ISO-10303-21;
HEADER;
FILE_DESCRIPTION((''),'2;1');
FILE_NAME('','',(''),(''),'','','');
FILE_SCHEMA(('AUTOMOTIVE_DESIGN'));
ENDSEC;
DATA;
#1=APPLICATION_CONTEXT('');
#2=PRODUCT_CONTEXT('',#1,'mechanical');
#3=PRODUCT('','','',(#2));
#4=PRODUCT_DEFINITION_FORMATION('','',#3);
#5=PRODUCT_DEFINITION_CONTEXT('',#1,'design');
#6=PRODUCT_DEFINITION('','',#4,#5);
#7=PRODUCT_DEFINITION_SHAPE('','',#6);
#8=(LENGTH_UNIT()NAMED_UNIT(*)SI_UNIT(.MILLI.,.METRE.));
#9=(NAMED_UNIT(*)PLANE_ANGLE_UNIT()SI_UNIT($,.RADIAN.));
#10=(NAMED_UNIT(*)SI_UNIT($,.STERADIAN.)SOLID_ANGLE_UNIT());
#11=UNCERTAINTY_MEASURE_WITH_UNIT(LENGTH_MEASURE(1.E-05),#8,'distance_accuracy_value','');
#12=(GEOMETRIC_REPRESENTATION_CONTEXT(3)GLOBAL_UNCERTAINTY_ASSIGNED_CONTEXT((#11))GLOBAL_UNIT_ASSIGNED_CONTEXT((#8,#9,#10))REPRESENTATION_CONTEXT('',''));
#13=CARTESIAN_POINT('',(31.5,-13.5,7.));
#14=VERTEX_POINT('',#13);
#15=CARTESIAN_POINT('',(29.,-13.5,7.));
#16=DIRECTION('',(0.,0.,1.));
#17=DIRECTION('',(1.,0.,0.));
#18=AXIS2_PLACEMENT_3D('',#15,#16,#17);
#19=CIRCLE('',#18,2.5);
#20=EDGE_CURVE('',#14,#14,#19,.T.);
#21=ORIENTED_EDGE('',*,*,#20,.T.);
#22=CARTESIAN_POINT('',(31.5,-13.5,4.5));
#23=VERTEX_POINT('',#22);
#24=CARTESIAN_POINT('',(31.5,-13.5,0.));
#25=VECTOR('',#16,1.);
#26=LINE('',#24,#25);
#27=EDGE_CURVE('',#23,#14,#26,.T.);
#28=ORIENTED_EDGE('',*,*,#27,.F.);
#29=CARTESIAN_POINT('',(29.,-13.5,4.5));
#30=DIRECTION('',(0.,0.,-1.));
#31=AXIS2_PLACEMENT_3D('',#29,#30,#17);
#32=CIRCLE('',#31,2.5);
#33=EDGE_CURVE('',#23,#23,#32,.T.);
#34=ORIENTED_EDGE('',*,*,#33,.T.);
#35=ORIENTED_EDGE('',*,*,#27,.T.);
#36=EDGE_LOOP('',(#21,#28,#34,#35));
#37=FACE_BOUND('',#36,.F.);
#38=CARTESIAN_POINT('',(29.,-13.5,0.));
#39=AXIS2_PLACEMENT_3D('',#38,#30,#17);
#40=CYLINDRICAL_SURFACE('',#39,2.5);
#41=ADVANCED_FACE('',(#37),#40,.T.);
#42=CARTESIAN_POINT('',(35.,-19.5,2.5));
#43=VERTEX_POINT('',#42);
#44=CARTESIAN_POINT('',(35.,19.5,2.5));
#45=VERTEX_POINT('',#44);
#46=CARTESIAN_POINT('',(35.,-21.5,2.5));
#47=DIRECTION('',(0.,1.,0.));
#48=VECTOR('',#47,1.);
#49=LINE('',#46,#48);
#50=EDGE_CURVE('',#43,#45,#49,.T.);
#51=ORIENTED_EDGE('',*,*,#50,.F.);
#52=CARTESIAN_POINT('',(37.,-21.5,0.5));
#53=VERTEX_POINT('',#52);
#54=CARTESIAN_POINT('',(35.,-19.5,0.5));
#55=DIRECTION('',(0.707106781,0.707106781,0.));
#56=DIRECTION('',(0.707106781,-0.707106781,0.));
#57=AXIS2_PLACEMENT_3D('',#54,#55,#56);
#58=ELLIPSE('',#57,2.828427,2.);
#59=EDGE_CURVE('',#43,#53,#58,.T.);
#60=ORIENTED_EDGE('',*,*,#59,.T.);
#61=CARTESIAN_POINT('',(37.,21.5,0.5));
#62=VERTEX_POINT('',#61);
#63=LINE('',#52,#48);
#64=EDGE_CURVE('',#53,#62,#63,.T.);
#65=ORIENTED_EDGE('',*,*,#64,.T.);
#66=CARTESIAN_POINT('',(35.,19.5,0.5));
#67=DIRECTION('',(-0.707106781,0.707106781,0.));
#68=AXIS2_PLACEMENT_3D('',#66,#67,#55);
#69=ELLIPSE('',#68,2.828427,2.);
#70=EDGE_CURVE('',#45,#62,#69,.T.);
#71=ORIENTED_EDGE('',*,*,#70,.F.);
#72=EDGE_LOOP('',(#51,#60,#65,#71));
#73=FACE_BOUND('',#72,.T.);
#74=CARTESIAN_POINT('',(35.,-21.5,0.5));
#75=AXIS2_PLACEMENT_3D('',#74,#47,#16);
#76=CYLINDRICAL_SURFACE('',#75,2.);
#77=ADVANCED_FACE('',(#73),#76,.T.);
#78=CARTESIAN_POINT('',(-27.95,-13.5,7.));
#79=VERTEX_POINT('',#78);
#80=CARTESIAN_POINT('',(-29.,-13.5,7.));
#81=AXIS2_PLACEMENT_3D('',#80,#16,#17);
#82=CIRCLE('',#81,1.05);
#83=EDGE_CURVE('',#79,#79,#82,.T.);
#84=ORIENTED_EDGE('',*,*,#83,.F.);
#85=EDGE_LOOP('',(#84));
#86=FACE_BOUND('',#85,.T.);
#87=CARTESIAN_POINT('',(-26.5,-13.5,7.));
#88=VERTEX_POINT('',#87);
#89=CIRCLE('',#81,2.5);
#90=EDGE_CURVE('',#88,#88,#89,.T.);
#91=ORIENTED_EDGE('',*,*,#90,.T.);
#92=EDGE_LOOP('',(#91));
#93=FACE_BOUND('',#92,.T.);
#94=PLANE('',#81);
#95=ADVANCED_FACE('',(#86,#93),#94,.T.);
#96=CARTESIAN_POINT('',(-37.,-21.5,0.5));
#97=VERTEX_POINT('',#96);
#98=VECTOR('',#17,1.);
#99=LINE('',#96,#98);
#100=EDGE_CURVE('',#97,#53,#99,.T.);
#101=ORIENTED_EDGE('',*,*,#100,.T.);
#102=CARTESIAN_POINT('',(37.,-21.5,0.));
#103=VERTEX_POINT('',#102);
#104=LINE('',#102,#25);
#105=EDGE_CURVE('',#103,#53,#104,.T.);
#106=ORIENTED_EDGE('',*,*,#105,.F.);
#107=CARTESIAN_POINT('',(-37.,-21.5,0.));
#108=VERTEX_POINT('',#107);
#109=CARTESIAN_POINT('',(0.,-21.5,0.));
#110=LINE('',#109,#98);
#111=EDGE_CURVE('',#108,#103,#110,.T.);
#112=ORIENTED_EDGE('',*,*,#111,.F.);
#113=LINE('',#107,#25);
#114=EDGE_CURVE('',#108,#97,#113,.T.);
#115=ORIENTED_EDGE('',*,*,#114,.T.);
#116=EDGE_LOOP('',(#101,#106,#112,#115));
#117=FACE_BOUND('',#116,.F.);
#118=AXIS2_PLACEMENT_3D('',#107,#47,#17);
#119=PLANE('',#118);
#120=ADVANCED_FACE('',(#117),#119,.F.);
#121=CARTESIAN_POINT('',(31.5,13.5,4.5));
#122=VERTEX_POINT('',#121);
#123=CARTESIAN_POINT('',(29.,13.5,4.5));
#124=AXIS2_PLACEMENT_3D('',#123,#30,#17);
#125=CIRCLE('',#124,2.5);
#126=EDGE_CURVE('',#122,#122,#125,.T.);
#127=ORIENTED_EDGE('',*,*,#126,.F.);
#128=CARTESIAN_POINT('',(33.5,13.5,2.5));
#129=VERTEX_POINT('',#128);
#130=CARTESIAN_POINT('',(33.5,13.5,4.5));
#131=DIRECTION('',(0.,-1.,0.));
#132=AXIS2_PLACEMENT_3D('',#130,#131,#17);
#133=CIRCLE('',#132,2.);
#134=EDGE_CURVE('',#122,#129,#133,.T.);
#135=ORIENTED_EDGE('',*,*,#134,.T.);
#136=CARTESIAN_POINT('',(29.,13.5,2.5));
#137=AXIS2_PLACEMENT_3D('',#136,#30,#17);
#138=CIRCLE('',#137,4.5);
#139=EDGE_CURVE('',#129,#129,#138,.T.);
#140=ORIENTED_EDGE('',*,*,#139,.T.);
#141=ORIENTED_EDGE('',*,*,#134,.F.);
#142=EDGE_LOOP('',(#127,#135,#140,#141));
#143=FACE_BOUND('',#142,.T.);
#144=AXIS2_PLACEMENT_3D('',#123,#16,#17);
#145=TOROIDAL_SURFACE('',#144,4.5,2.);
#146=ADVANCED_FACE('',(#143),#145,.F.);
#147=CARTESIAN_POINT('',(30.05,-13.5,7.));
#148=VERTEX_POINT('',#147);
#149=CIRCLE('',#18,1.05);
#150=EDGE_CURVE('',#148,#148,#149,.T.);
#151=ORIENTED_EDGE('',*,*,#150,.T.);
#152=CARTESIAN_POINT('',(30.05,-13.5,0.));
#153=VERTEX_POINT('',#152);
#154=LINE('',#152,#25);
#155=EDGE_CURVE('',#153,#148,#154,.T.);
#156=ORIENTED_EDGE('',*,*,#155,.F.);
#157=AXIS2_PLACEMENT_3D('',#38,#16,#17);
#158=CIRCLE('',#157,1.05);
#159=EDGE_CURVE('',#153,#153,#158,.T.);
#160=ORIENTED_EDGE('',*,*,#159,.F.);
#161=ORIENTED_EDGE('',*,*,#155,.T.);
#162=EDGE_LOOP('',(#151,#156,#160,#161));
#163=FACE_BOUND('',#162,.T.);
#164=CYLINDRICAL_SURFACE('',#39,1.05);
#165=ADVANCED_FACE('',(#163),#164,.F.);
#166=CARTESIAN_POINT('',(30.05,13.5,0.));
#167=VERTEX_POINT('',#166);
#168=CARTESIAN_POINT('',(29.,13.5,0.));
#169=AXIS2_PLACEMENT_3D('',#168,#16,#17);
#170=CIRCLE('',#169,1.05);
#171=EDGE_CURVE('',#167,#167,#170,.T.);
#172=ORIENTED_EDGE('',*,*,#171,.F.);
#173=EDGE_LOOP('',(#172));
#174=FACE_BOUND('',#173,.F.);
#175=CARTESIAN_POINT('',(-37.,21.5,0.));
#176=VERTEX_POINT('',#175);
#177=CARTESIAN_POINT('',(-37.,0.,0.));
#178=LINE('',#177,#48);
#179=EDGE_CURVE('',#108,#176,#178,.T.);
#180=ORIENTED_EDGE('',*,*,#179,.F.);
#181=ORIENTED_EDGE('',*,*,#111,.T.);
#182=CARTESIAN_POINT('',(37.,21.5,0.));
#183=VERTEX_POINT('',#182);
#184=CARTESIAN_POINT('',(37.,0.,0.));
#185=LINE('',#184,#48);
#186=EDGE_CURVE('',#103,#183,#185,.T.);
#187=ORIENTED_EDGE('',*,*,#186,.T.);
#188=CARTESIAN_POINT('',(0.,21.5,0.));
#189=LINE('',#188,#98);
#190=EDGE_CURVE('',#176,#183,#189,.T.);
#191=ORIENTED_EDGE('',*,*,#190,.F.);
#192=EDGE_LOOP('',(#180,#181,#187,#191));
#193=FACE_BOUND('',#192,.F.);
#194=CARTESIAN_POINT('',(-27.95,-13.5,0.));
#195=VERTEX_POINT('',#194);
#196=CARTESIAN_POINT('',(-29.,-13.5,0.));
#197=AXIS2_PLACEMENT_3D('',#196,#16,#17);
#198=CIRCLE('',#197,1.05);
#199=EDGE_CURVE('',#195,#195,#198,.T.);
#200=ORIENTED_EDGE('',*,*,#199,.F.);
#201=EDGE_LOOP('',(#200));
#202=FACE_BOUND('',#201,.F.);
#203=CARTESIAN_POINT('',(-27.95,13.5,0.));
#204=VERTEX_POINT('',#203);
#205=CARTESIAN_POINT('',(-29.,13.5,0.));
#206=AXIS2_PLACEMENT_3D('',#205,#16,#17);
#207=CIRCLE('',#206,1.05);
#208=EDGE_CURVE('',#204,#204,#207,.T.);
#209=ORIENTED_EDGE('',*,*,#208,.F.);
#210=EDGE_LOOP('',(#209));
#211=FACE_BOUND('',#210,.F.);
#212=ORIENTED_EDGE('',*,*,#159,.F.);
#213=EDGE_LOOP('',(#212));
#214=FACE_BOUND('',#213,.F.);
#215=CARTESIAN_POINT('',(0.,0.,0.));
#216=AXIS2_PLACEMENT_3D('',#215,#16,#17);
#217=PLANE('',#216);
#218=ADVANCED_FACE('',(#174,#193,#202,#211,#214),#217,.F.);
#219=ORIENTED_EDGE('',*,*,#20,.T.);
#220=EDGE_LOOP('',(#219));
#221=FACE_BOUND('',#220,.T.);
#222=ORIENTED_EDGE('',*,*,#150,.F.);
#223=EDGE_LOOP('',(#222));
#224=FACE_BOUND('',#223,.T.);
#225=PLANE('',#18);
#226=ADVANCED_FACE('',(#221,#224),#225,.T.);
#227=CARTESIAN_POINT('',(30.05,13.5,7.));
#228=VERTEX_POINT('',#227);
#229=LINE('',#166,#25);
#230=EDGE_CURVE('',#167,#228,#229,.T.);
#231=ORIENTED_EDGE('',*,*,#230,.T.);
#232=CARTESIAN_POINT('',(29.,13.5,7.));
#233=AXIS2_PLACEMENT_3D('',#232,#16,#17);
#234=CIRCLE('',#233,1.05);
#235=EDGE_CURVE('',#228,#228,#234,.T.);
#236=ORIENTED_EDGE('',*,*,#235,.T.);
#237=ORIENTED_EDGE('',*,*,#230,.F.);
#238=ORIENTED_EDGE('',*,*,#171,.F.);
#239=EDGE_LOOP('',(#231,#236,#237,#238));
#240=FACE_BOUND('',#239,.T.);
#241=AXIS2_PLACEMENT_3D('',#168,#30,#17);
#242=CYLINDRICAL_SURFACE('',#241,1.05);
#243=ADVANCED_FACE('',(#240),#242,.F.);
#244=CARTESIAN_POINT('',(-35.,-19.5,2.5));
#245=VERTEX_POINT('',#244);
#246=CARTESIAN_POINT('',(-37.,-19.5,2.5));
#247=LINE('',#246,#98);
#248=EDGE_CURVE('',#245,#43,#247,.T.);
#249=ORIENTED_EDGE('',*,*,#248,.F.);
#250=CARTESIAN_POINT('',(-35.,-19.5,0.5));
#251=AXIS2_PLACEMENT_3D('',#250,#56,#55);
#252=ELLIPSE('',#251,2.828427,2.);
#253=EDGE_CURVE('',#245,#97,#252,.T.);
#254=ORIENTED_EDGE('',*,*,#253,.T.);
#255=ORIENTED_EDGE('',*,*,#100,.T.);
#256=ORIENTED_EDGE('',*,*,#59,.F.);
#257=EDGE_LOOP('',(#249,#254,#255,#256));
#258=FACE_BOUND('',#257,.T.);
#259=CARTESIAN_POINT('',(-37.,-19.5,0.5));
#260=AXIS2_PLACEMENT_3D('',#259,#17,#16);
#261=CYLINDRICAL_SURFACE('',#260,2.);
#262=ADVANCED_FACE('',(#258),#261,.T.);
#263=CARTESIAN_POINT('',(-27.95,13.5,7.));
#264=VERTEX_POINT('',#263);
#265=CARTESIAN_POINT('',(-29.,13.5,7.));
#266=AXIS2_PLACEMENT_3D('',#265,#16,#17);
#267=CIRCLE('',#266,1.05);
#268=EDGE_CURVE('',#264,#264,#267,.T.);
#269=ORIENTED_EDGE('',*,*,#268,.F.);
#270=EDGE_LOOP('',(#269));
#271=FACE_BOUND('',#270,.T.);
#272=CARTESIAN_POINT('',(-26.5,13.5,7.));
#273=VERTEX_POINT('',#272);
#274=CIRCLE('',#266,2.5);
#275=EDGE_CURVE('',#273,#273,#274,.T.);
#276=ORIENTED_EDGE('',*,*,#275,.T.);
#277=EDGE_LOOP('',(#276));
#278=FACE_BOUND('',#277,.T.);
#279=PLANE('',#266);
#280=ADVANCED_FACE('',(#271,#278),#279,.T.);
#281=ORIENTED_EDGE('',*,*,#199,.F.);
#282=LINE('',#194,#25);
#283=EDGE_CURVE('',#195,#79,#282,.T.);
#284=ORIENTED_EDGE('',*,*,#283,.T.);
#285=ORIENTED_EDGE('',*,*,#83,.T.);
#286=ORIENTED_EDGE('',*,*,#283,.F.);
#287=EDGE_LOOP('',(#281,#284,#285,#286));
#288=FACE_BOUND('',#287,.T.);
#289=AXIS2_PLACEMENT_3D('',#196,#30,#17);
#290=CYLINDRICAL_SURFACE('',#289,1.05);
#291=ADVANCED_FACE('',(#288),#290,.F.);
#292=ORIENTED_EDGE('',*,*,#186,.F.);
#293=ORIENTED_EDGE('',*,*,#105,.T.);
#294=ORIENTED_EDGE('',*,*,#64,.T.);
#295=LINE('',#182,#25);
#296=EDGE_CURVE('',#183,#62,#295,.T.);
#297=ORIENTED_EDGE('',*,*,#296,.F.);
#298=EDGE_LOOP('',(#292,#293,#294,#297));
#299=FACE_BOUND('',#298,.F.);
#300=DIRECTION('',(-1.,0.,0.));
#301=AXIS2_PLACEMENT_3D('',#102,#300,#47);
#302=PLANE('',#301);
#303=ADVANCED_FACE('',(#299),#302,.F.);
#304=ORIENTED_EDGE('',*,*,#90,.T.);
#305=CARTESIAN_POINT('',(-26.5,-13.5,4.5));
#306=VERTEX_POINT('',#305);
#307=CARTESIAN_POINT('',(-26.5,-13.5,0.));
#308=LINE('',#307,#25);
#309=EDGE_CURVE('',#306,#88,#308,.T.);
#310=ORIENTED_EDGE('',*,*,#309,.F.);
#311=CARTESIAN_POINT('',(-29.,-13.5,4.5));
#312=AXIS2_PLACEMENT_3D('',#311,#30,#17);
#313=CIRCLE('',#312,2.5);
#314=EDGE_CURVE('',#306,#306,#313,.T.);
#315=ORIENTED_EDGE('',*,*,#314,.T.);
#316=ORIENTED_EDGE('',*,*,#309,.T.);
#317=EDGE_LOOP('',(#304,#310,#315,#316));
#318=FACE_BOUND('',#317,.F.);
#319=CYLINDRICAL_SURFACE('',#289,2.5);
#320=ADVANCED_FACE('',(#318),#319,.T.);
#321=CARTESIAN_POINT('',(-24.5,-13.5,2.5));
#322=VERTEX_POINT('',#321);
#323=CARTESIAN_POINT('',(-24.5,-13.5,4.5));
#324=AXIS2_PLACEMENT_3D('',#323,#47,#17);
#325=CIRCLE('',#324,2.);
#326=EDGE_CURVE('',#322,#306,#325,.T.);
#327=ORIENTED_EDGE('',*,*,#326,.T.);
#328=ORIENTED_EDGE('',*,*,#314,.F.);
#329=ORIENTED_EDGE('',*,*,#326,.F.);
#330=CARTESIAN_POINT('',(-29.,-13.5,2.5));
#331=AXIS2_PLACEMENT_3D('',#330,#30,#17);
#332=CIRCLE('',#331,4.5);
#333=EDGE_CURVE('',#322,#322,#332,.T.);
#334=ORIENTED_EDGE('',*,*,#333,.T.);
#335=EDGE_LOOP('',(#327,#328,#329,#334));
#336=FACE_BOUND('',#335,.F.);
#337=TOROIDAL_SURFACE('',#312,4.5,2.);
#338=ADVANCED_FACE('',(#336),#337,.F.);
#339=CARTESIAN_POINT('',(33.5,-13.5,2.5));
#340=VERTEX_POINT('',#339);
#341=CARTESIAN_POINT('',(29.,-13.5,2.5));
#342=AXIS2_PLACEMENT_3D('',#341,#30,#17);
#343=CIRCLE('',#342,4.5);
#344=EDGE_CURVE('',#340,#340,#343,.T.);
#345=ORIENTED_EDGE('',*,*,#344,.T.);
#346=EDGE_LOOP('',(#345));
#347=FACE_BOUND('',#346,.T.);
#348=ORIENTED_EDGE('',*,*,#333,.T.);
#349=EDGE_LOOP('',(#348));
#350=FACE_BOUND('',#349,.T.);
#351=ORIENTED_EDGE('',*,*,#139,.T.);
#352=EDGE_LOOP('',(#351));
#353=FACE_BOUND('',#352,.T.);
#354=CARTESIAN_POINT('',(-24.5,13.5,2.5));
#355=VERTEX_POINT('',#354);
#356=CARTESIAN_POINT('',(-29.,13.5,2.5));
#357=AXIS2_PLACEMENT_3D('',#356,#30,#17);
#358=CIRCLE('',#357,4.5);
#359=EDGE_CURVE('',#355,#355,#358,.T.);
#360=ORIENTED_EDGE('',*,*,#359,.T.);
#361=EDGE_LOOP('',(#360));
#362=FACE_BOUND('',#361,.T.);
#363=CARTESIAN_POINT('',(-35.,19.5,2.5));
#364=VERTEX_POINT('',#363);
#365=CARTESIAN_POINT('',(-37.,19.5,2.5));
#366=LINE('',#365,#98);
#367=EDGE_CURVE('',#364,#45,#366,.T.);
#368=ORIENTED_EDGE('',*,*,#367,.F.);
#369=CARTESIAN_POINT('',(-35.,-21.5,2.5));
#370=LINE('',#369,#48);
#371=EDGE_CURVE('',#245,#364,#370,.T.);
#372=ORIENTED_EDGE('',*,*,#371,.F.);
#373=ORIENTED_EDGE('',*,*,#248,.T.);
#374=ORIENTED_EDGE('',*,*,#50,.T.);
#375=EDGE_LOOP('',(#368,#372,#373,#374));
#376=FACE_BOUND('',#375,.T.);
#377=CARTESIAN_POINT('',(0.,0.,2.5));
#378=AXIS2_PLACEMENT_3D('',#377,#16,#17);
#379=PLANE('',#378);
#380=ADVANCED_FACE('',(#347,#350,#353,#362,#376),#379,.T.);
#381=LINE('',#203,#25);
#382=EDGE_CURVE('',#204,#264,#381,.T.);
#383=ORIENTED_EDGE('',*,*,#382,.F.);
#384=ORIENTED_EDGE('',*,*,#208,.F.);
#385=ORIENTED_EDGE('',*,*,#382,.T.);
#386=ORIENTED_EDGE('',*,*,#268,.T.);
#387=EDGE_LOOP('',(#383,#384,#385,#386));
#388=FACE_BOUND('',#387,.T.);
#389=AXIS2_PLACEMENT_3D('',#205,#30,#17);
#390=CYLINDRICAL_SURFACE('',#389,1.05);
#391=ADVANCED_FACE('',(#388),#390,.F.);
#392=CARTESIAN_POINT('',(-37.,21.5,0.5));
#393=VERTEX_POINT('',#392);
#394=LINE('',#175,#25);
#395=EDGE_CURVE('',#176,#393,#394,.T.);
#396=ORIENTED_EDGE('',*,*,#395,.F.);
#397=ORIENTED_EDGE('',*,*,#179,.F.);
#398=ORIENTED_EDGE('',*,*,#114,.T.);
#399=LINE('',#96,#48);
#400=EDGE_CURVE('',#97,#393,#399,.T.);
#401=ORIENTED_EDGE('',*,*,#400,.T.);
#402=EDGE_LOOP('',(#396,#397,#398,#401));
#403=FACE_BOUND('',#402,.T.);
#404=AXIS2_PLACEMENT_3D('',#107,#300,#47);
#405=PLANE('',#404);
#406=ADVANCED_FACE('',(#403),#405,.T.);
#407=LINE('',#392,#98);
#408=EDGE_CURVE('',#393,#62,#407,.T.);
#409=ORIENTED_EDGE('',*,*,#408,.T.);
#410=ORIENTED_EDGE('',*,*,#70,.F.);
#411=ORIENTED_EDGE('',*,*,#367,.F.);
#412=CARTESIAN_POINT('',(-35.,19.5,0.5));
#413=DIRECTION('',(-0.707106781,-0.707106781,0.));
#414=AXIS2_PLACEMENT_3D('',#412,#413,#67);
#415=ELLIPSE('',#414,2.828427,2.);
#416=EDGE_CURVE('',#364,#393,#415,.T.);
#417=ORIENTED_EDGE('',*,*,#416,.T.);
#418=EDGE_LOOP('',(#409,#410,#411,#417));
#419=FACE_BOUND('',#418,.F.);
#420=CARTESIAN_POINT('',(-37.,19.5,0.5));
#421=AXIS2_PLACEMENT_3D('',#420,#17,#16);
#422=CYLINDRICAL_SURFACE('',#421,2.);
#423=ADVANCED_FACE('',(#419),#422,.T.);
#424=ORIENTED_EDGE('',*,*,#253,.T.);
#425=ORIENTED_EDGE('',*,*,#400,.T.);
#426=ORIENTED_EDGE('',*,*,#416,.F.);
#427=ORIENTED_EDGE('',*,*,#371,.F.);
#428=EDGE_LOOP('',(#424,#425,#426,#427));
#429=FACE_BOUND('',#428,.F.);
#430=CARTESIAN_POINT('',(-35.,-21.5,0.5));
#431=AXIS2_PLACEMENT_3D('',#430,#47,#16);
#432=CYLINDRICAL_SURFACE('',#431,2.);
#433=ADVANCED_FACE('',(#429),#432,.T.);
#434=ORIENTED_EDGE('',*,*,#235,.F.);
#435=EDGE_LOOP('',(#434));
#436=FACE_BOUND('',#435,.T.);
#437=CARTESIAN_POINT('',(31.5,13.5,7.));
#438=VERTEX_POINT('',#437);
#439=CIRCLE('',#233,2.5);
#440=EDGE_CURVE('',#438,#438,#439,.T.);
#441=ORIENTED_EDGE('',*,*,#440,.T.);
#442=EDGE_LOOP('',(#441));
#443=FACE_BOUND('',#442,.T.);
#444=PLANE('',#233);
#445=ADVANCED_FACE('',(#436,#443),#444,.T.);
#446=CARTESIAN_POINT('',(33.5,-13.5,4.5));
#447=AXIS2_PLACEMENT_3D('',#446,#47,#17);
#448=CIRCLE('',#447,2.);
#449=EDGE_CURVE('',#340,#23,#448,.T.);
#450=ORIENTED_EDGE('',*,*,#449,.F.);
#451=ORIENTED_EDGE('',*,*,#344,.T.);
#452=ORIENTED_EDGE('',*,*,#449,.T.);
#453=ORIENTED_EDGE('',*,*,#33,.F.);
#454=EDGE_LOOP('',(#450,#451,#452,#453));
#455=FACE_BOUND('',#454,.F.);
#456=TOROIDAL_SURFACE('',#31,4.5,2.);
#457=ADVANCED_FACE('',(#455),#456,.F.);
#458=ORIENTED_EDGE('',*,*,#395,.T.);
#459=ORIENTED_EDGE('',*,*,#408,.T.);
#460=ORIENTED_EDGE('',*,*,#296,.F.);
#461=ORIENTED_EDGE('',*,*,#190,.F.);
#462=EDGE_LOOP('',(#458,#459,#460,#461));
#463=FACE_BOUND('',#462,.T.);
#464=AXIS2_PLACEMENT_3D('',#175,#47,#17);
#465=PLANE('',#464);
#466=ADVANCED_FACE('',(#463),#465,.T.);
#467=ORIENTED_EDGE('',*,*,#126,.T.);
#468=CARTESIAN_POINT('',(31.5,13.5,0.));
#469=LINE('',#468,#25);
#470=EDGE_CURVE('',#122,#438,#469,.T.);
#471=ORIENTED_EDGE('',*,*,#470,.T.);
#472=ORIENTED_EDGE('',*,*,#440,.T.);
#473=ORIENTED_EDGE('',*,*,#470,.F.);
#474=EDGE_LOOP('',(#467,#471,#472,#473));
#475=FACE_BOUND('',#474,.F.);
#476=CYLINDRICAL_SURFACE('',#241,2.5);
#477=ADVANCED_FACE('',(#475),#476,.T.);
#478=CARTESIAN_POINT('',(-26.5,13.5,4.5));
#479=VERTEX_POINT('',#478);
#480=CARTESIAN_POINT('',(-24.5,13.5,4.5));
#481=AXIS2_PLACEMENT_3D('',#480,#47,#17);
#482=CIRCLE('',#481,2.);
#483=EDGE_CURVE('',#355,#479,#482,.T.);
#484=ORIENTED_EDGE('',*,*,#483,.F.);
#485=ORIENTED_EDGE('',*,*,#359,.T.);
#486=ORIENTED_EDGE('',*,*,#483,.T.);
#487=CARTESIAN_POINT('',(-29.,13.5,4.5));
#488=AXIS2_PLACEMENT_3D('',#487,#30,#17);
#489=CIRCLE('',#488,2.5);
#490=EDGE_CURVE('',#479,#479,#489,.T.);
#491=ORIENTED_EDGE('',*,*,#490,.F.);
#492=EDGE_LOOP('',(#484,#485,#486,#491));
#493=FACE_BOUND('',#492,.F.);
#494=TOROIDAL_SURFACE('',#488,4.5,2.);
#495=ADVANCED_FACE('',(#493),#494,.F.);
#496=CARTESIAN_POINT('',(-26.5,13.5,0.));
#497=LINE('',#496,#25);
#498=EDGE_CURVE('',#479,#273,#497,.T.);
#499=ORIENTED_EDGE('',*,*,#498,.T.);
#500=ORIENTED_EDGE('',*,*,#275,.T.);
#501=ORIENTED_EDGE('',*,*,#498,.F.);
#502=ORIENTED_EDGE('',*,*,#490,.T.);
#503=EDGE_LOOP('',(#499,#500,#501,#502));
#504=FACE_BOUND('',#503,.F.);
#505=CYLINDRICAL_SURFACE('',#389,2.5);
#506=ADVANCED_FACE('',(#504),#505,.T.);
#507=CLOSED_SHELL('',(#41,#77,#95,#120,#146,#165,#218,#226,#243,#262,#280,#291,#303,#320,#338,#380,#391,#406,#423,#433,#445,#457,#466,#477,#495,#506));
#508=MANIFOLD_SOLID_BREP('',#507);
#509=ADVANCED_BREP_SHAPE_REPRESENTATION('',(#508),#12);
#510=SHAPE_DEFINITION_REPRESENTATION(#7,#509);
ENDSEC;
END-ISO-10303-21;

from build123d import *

# Parameters (mm, degrees)
SKETCH001_W  = 74
SKETCH001_H  = 43
SKETCH001_R  = 1.05
PAD_DEPTH    = 2.5
SKETCH_R     = 2.5
SKETCH_R_2   = 1.05
PAD001_DEPTH = 7
FILLET_R     = 2


with BuildPart() as part:
    # Sketch001 → Pad (new body)
    with BuildSketch(Plane.XY):
        Rectangle(SKETCH001_W, SKETCH001_H)
        with Locations((-29, -13.5)):
            Circle(SKETCH001_R, mode=Mode.SUBTRACT)
        with Locations((29, -13.5)):
            Circle(SKETCH001_R, mode=Mode.SUBTRACT)
        with Locations((29, 13.5)):
            Circle(SKETCH001_R, mode=Mode.SUBTRACT)
        with Locations((-29, 13.5)):
            Circle(SKETCH001_R, mode=Mode.SUBTRACT)
    extrude(amount=PAD_DEPTH)

    # Sketch → Pad001 (join)
    with BuildSketch(Plane.XY):
        with Locations((-29, 13.5)):
            Circle(SKETCH_R)
        with Locations((-29, 13.5)):
            Circle(SKETCH_R_2, mode=Mode.SUBTRACT)
        with Locations((-29, -13.5)):
            Circle(SKETCH_R)
        with Locations((-29, -13.5)):
            Circle(SKETCH_R_2, mode=Mode.SUBTRACT)
        with Locations((29, -13.5)):
            Circle(SKETCH_R)
        with Locations((29, -13.5)):
            Circle(SKETCH_R_2, mode=Mode.SUBTRACT)
        with Locations((29, 13.5)):
            Circle(SKETCH_R)
        with Locations((29, 13.5)):
            Circle(SKETCH_R_2, mode=Mode.SUBTRACT)
    extrude(amount=PAD001_DEPTH)

    # Fillet
    fillet_edges = [part.edges().sort_by_distance(p)[0] for p in [
        (-37, 0, 2.5),
        (0, 21.5, 2.5),
        (0, -21.5, 2.5),
        (37, 0, 2.5),
        (-31.5, -13.5, 2.5),
        (26.5, -13.5, 2.5),
        (-31.5, 13.5, 2.5),
        (26.5, 13.5, 2.5),
    ]]
    fillet(fillet_edges, radius=FILLET_R)


solid = part.part
